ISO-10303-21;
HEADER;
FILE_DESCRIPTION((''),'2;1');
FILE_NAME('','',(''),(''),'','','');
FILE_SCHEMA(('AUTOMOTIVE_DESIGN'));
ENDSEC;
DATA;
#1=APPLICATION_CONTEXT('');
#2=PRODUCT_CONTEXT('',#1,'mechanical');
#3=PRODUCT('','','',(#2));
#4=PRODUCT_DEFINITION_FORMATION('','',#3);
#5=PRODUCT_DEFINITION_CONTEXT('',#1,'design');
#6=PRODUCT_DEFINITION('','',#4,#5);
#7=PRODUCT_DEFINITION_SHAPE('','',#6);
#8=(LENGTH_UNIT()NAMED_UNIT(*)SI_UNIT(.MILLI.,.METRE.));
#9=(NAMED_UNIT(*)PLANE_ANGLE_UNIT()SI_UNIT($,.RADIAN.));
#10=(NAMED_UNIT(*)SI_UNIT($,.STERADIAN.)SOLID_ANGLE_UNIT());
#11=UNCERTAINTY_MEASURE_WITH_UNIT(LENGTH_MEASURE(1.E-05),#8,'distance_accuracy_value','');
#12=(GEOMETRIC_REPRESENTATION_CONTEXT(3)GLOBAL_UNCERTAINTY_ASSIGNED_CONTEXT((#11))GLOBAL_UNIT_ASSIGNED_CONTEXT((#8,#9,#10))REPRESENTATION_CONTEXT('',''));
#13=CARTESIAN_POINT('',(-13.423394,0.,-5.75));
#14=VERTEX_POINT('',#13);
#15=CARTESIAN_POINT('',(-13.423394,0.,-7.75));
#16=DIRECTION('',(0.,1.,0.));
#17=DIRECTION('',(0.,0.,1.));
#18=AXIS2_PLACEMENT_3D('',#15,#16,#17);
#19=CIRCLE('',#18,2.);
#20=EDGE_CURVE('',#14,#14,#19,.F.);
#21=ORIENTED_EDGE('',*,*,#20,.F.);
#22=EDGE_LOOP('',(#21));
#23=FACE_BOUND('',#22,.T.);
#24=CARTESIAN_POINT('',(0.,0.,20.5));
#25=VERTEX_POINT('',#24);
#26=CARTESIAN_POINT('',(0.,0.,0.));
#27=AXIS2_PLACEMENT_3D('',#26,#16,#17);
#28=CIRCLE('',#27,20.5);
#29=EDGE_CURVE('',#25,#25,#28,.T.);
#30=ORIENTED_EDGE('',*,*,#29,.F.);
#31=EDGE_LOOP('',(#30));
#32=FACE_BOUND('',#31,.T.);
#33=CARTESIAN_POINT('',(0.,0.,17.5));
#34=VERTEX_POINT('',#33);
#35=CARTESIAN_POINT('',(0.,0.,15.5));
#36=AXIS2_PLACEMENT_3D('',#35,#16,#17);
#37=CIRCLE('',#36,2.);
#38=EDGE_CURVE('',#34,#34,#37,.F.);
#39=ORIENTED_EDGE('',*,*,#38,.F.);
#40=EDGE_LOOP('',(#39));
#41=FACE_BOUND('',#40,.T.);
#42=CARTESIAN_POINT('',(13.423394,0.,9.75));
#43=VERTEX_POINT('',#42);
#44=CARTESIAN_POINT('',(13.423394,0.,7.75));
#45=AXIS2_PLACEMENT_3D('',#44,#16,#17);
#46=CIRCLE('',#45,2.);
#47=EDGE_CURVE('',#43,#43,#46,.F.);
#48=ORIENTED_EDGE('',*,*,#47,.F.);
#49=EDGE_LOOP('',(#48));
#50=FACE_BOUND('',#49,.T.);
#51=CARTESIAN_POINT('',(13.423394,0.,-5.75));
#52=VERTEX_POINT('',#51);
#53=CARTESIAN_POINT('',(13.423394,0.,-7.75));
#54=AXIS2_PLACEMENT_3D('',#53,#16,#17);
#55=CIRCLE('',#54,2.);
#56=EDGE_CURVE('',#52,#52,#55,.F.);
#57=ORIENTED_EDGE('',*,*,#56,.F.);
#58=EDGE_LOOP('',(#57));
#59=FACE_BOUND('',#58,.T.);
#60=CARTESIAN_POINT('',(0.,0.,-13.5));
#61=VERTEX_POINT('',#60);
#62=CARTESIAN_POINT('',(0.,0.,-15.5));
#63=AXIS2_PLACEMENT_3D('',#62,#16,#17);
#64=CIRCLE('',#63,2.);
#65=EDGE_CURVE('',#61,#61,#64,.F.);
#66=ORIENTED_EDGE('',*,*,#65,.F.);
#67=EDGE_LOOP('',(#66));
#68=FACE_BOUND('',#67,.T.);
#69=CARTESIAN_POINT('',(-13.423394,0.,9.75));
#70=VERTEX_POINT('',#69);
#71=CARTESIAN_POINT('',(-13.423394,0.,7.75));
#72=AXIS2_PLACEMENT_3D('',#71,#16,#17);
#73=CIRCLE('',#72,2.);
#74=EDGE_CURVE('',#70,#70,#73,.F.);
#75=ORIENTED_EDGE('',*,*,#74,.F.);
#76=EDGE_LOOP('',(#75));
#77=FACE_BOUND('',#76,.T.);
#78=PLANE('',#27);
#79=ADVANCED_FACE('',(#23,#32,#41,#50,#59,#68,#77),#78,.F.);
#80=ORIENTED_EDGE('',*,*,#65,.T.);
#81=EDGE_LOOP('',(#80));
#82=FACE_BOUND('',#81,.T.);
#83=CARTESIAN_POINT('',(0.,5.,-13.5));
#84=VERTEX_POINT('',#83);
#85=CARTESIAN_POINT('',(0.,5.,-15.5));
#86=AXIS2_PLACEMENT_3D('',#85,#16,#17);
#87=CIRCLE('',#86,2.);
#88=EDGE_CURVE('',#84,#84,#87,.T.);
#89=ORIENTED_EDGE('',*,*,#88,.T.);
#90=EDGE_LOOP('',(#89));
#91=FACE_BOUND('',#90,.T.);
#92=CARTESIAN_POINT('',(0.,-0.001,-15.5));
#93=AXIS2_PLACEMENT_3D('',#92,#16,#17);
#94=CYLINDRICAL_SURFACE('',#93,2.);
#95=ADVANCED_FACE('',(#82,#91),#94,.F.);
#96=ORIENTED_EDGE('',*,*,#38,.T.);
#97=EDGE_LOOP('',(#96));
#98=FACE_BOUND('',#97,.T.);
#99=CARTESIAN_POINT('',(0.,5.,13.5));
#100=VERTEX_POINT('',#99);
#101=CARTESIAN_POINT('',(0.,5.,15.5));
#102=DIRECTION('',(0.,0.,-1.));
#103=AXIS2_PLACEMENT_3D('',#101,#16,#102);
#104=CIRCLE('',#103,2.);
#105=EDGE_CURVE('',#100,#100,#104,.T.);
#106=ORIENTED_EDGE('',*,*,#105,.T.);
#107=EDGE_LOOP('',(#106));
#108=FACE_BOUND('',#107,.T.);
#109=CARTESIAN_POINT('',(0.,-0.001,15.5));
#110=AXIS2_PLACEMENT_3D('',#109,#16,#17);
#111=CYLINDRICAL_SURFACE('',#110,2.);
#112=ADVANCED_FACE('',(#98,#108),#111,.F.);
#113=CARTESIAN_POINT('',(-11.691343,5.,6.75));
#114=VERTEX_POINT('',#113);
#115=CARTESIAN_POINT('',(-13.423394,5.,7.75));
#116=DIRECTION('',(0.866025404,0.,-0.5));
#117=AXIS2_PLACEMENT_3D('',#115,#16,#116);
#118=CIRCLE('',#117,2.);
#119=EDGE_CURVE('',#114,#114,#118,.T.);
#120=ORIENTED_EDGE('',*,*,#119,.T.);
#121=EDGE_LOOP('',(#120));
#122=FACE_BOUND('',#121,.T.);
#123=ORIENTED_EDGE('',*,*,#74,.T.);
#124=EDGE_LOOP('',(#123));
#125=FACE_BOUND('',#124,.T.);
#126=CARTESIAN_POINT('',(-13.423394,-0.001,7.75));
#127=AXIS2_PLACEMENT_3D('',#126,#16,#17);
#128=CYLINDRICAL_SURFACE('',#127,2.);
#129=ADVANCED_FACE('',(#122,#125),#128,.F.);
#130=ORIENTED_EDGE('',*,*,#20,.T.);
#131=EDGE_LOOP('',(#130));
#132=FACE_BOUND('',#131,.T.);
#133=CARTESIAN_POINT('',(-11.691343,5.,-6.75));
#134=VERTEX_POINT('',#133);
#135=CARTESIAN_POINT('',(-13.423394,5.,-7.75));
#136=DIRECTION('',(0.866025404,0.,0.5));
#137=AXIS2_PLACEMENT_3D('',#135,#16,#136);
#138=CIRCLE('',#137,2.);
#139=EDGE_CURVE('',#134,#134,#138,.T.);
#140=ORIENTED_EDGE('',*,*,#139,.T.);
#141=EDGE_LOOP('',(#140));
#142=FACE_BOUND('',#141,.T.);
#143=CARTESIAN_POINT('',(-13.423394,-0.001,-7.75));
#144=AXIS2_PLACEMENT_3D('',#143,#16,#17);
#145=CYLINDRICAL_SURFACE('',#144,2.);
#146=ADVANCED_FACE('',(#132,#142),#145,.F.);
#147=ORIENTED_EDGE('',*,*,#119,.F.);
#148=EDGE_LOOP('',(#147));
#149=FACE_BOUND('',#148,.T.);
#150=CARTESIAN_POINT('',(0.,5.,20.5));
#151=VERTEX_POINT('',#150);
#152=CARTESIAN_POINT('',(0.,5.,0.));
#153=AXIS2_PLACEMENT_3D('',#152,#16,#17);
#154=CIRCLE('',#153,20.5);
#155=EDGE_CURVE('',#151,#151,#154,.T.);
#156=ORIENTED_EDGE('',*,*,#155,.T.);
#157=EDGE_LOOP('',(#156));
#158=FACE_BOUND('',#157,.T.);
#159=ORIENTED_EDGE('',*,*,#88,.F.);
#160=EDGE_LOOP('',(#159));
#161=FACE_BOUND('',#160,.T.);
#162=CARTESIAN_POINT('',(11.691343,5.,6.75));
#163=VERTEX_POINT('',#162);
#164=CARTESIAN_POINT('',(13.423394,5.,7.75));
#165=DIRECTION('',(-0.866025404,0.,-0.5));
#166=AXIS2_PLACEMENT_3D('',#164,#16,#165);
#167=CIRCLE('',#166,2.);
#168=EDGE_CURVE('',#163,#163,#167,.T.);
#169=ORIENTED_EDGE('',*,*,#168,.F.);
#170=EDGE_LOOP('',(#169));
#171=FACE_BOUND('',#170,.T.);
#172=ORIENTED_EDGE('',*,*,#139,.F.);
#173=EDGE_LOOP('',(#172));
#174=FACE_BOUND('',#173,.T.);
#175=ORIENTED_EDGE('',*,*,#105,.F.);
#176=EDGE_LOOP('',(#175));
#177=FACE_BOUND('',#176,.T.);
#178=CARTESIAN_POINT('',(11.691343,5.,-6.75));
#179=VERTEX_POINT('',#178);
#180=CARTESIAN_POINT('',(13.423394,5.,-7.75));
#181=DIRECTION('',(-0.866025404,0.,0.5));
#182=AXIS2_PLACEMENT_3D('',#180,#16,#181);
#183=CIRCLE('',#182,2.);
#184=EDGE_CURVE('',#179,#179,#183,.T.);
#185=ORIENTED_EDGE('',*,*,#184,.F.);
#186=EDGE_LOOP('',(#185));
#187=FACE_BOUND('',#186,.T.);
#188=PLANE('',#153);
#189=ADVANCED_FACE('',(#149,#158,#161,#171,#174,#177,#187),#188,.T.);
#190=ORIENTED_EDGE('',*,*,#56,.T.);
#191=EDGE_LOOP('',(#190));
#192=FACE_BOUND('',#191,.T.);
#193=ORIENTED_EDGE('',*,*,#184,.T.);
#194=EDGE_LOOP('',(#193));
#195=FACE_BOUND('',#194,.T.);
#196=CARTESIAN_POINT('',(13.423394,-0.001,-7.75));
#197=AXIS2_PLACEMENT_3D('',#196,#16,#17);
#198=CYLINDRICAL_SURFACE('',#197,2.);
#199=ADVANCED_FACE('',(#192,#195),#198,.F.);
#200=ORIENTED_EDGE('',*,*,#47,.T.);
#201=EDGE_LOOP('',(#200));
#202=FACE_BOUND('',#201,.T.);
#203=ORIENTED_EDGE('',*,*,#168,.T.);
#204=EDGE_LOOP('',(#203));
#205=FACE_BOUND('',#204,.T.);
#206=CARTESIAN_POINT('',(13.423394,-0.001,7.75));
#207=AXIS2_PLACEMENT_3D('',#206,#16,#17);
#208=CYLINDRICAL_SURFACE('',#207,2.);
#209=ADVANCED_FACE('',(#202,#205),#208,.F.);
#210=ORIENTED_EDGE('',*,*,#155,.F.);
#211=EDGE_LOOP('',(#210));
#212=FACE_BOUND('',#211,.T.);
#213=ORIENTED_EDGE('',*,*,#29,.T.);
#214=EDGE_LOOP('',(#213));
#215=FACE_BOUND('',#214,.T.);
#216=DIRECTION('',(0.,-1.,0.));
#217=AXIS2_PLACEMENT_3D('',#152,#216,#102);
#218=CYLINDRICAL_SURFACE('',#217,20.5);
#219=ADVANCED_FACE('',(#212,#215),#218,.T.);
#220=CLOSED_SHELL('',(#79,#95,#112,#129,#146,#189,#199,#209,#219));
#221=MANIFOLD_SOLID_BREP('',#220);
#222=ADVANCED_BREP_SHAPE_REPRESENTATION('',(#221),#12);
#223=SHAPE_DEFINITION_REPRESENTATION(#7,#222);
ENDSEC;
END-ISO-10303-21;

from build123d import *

# Parameters (mm, degrees)
SKETCH_1_R               = 20.5
EXTRUDE_1_DEPTH          = 5
CUT_EXTRUDE_1_REACH      = 31.419
SKETCH_2_R               = 2
PATTERN_CIRCULAR_1_COUNT = 6


with BuildPart() as part:
    # 草圖1 → 填料-伸長1 (new body)
    with BuildSketch(Plane(origin=(0, 0, 0), x_dir=(1, 0, 0), z_dir=(0, 1, 0))):
        with Locations(Location((0, 0, 0), (0, 0, 270))):
            Circle(SKETCH_1_R)
    extrude(amount=EXTRUDE_1_DEPTH)

    # 草圖2 → 除料-伸長1 (cut, up to next)
    with BuildSketch(Plane(origin=(0, 5, 0), x_dir=(1, 0, 0), z_dir=(0, 1, 0)), mode=Mode.PRIVATE) as cut_extrude_1_sk1:
        with Locations(Location((0, 15.5, 0), (0, 0, 270))):
            Circle(SKETCH_2_R)
    cut_extrude_1_tool1 = extrude(cut_extrude_1_sk1.sketch, amount=-CUT_EXTRUDE_1_REACH, mode=Mode.PRIVATE) & part.part
    cut_extrude_1 = cut_extrude_1_tool1.solids().sort_by_distance((0, 5, -15.5))[0]
    add(cut_extrude_1, mode=Mode.SUBTRACT)

    # 環狀複製排列1: 除料-伸長1 ×6 about axis
    pattern_circular_1_axis = Axis((0, 0, 0), (0, 1, 0))
    for i in range(1, PATTERN_CIRCULAR_1_COUNT):
        add(cut_extrude_1.rotate(pattern_circular_1_axis, i * 360 / PATTERN_CIRCULAR_1_COUNT), mode=Mode.SUBTRACT)


solid = part.part
